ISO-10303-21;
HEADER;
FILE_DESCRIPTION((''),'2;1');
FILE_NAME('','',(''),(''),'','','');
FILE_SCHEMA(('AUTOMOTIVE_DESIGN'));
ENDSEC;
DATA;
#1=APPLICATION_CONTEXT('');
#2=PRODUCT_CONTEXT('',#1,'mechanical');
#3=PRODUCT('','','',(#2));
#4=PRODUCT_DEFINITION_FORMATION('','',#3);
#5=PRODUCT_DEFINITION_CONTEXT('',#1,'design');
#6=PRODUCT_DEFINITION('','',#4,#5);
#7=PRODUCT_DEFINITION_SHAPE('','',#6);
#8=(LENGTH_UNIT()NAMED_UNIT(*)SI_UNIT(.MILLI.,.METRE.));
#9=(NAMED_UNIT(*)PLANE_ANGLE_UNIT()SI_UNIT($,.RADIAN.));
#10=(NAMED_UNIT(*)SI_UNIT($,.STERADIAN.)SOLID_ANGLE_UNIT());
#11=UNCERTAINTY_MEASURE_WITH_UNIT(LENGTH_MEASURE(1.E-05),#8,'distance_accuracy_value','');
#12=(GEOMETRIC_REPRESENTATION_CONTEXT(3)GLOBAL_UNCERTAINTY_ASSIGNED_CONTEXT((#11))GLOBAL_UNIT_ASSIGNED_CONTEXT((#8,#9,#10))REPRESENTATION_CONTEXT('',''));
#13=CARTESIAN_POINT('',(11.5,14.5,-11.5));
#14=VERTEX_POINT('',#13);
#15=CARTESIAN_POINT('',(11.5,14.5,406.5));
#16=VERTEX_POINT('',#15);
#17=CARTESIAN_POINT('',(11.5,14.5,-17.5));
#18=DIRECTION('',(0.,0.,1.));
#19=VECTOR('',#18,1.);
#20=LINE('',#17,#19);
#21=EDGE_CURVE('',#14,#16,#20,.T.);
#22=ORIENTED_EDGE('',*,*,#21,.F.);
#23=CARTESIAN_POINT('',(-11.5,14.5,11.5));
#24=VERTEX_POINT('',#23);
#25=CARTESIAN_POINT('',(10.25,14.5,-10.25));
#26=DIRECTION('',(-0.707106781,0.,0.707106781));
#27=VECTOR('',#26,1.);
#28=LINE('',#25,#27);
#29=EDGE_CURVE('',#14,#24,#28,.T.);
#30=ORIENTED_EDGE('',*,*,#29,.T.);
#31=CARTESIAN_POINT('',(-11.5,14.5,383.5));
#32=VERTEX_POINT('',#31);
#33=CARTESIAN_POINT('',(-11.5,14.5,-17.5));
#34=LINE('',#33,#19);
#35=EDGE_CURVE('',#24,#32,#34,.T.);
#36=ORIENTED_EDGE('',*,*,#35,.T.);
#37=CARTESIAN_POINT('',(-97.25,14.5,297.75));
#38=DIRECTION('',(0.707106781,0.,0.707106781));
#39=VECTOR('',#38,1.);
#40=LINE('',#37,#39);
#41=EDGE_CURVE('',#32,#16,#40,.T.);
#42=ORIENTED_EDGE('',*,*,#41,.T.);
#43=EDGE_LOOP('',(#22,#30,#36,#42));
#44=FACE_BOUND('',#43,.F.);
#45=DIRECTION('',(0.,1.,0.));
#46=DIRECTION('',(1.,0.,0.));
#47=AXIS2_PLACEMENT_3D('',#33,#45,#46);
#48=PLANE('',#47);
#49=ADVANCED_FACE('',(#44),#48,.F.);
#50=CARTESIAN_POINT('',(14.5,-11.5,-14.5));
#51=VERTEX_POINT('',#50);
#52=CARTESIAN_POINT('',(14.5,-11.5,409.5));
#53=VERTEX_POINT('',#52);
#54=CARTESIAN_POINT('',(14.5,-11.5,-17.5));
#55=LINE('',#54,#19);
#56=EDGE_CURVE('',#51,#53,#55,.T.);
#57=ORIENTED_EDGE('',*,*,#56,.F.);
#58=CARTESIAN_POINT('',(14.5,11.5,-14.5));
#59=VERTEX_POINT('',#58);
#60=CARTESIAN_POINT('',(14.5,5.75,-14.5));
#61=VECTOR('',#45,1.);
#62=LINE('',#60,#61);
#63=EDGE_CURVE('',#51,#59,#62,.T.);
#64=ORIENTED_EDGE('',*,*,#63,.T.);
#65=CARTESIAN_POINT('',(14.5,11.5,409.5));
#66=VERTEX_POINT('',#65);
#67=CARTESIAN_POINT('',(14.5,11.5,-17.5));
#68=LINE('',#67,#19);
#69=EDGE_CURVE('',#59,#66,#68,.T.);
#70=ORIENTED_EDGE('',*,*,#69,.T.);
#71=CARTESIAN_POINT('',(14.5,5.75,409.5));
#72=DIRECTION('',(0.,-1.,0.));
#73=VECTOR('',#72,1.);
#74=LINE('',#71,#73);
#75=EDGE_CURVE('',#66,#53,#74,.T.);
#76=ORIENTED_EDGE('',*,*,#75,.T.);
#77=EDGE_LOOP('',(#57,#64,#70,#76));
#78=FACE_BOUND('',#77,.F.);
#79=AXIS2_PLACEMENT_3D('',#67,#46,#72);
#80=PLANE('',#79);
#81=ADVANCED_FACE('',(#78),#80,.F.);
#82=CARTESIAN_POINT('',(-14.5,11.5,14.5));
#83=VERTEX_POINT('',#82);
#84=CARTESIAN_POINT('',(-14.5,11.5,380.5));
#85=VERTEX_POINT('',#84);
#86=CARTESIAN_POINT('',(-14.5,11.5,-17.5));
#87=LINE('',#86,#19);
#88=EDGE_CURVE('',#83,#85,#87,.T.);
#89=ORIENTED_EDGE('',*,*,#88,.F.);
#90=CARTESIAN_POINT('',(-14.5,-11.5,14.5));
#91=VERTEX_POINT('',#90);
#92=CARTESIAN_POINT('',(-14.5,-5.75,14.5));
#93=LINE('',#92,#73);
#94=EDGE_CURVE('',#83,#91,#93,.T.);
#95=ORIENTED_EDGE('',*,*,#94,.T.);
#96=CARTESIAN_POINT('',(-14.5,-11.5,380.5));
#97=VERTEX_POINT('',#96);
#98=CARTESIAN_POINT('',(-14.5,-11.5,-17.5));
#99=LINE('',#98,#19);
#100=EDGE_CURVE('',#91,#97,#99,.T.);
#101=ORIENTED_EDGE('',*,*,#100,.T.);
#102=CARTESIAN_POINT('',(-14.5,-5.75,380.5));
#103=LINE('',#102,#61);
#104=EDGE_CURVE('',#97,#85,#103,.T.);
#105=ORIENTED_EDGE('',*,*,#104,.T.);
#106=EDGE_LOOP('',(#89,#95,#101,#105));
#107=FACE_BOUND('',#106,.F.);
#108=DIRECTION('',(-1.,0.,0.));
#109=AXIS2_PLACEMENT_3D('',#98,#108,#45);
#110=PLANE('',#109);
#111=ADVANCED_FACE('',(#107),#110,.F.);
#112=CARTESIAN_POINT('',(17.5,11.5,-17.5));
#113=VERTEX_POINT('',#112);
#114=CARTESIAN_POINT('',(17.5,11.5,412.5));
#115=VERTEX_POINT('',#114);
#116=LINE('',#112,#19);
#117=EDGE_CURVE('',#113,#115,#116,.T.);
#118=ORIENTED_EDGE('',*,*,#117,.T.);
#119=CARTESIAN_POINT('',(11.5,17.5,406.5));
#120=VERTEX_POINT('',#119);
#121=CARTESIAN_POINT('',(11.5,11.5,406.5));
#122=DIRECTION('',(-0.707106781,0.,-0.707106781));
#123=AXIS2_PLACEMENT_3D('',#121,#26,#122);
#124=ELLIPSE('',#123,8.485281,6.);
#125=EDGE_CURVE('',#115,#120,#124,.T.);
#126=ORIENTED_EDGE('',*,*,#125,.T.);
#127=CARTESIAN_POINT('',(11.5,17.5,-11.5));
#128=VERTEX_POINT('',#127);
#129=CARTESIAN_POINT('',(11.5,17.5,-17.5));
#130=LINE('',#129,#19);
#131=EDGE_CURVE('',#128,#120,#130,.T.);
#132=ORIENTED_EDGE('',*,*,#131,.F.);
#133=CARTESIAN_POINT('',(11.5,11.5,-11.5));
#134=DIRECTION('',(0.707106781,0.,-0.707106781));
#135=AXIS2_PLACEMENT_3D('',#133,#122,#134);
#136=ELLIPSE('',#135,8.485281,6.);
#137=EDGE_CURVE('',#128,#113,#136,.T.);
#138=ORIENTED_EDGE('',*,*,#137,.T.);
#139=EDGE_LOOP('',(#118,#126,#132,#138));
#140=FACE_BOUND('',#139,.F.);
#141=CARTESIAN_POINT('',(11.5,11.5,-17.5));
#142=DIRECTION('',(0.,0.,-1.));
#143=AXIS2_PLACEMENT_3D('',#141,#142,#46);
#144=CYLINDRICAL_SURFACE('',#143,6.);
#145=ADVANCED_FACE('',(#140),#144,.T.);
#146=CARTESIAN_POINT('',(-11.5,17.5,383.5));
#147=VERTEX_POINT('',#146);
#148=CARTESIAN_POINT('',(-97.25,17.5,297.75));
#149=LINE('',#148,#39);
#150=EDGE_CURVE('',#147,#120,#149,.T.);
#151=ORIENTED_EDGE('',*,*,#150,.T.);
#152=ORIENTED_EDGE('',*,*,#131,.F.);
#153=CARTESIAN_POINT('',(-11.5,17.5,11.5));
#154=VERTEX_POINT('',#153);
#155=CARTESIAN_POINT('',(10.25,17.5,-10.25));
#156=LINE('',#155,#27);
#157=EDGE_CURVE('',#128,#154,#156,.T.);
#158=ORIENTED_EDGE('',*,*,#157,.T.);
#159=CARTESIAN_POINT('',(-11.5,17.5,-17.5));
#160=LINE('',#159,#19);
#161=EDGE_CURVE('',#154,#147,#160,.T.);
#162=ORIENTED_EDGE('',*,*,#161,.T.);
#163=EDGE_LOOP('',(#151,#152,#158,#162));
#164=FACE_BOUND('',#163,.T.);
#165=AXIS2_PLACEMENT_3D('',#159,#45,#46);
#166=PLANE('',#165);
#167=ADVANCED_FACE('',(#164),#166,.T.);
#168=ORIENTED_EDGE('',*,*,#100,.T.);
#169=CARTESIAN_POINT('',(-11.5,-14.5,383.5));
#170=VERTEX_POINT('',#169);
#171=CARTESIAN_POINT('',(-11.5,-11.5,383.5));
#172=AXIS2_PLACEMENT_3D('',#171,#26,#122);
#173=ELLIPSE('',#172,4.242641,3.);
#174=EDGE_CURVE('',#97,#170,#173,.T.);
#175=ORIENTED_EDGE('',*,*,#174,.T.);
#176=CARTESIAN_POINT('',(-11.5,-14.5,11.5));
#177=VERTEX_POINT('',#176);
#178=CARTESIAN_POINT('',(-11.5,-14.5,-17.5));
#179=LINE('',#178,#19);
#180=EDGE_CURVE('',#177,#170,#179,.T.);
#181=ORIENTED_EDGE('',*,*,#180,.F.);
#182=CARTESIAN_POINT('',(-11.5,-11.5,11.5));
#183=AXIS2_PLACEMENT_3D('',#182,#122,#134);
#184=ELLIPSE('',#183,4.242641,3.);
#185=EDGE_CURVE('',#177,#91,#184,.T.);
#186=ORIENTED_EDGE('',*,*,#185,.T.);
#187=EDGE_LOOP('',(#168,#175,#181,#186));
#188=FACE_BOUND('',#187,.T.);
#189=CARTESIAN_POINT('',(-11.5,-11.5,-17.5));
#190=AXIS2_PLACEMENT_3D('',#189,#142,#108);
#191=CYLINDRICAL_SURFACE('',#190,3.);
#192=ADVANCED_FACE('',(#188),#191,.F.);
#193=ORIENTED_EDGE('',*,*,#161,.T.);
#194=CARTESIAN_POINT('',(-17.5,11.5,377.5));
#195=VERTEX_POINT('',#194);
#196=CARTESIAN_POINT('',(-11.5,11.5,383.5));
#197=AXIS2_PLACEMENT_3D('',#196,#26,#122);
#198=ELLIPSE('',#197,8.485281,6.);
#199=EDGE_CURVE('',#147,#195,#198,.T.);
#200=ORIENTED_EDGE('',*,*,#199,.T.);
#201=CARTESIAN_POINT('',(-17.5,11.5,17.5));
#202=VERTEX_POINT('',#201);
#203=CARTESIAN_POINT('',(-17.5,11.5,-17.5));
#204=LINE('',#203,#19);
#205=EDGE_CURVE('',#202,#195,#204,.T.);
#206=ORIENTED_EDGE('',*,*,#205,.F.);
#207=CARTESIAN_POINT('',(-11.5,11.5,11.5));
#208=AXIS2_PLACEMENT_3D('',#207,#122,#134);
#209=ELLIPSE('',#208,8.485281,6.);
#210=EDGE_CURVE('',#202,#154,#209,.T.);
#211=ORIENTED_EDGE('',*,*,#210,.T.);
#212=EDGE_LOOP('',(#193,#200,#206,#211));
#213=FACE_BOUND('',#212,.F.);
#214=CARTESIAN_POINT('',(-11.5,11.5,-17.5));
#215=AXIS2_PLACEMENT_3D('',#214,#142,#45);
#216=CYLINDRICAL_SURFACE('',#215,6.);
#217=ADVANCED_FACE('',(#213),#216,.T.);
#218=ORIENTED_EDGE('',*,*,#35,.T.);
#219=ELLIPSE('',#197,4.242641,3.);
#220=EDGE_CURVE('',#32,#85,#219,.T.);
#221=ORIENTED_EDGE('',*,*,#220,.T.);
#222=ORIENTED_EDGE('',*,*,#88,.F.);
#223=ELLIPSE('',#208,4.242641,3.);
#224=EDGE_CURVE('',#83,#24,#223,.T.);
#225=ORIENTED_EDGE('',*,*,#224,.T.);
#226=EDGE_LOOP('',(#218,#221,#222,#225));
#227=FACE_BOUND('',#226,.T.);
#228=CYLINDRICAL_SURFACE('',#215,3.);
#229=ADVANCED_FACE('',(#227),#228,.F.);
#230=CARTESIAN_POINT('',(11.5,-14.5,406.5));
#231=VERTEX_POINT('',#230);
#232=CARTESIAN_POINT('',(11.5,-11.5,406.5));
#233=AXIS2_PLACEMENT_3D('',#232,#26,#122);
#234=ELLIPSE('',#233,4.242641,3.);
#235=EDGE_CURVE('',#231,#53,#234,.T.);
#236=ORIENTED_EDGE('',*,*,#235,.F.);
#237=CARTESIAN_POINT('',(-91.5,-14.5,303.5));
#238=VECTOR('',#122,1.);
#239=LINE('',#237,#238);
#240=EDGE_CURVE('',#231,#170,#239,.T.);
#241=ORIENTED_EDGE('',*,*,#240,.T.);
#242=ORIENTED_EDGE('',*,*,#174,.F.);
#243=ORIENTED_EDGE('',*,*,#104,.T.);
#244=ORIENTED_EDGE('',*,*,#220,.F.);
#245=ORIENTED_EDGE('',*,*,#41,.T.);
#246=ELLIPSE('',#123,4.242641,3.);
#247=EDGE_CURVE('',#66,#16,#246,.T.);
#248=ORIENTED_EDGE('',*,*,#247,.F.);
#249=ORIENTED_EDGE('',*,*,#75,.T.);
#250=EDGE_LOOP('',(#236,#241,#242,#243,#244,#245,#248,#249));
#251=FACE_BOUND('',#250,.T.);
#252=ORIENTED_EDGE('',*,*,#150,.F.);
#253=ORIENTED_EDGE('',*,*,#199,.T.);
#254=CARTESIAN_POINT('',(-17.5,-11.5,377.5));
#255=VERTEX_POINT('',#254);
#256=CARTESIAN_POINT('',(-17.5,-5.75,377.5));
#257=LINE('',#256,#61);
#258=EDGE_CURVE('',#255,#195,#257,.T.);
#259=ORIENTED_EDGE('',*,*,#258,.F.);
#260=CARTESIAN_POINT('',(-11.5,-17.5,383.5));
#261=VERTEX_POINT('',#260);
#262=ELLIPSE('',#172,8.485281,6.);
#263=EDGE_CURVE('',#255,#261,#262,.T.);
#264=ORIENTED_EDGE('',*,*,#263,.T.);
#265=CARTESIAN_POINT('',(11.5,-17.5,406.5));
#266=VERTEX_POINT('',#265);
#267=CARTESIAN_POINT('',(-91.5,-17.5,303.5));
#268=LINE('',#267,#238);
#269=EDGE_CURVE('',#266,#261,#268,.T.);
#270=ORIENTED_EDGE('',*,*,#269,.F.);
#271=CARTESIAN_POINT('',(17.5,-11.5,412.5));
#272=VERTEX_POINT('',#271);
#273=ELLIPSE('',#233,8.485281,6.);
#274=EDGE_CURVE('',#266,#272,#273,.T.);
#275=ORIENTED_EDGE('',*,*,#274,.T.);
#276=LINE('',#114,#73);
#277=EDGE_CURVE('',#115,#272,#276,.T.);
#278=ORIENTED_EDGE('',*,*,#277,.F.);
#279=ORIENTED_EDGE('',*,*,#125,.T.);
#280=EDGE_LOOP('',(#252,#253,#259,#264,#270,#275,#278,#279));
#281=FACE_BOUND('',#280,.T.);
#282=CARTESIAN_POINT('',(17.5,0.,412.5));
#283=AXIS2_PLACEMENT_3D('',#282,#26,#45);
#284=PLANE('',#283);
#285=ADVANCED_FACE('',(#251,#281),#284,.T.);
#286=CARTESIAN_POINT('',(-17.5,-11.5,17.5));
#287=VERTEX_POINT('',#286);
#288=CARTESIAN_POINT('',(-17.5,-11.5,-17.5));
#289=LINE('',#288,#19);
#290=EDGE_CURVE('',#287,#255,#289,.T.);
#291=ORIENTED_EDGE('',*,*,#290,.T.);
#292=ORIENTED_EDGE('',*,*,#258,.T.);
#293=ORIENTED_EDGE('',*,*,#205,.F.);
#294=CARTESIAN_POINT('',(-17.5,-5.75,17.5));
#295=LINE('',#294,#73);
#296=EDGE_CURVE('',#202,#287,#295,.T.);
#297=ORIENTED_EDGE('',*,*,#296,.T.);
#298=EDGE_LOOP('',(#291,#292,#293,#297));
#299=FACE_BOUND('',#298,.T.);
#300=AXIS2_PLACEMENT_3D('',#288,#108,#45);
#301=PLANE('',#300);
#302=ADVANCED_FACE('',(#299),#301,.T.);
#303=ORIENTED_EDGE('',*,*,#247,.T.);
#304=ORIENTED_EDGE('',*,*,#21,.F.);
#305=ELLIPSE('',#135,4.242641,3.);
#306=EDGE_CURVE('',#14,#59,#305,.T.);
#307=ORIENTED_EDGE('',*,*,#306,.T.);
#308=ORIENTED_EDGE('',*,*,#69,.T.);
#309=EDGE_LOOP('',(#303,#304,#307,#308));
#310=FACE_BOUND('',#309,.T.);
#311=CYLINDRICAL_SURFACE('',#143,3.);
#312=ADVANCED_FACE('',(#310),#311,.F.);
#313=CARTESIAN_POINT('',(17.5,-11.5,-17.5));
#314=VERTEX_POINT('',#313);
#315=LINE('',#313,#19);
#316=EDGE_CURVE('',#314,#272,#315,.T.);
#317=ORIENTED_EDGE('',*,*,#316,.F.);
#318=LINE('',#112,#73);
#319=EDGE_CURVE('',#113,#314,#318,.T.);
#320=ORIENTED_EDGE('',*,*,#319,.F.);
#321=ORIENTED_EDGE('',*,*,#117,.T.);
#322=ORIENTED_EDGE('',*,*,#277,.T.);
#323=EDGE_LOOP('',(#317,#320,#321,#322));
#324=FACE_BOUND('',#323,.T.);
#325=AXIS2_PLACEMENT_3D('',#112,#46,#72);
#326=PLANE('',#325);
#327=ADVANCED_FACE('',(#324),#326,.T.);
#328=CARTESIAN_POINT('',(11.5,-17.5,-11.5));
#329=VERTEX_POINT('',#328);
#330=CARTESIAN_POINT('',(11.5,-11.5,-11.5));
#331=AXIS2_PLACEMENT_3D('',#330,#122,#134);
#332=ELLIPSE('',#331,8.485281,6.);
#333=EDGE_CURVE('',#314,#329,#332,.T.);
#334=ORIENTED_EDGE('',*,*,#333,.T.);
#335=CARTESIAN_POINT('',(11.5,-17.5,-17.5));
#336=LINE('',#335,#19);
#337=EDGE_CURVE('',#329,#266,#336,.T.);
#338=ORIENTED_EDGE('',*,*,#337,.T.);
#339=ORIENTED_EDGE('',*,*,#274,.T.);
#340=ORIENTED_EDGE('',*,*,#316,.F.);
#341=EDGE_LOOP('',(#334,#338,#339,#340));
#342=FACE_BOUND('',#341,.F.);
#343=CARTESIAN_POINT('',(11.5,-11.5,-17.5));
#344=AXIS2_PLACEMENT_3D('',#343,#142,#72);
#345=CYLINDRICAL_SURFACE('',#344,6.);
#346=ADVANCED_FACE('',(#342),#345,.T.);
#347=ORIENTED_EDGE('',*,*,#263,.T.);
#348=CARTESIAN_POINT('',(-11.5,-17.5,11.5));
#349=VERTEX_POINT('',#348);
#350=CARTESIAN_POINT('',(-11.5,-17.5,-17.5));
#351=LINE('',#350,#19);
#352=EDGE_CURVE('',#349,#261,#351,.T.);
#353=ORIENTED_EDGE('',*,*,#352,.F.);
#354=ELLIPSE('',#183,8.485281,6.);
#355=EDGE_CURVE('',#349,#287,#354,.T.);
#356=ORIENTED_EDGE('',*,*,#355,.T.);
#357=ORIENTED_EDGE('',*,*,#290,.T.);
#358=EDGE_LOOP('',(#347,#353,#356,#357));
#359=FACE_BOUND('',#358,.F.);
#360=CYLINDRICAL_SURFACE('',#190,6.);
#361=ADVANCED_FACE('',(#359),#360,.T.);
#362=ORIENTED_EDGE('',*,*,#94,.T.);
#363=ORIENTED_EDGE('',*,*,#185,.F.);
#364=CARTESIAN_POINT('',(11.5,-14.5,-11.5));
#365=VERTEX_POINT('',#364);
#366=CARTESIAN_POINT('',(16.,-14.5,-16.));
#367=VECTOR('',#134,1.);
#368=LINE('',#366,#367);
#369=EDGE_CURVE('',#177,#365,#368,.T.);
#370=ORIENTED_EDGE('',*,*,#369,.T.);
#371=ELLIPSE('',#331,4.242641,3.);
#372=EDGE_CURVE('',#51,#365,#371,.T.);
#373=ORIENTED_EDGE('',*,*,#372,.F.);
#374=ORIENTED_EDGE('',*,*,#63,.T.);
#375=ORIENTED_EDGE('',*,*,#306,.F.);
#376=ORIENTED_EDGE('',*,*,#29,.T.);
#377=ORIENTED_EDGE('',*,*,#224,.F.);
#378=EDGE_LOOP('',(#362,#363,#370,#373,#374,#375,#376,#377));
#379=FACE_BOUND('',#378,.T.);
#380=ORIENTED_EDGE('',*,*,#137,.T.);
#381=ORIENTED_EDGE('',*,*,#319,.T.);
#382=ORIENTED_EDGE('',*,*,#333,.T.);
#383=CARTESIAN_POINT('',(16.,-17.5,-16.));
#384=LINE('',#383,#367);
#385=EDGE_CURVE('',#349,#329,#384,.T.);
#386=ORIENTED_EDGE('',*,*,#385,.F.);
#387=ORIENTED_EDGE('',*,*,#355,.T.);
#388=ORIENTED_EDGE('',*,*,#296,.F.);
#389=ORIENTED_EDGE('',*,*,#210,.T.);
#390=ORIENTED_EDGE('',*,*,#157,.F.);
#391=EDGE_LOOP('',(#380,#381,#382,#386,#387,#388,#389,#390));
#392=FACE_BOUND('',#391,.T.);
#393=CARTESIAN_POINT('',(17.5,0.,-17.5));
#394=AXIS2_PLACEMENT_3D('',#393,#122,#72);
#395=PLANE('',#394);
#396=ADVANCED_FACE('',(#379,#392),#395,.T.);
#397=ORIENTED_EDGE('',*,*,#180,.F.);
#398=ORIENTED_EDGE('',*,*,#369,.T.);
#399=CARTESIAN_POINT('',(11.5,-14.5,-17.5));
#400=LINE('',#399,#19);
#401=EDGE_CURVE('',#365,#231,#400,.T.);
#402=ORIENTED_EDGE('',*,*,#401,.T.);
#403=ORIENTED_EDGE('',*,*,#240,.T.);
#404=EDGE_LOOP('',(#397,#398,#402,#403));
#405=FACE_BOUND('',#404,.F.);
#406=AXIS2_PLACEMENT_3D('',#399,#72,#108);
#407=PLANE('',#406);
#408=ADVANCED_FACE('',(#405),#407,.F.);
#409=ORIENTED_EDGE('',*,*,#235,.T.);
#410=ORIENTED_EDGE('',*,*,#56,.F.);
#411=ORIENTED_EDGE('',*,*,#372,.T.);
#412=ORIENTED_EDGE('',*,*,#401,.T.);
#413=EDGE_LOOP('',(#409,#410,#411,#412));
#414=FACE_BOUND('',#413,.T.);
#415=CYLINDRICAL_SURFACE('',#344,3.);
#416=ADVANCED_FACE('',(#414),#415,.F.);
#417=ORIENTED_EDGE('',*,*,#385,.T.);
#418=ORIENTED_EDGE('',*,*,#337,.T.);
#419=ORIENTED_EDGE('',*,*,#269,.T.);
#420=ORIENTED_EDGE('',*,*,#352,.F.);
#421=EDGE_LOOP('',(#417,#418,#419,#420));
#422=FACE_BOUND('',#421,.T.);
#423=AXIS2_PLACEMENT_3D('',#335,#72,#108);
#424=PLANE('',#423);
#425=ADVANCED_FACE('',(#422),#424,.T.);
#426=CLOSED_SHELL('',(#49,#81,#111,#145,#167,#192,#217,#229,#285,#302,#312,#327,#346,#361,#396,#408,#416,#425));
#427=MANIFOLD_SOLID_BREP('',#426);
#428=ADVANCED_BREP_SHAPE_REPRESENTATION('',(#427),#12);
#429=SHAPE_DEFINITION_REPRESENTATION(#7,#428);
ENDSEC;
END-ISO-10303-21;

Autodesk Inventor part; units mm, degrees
ref_plane "Start plane" through (0, 0, -17.5) normal (0, 0, 1) x (1, 0, 0)
ref_plane "End plane" through (0, 0, 412.5) normal (0, 0, 1) x (1, 0, 0)
sketch "Sketch" plane through (0, 0, 0) normal (0, 0, 1) x (1, 0, 0)
  line L0 (-17.5, -11.5) -> (-17.5, 11.5)
  line L1 (-11.5, 17.5) -> (11.5, 17.5)
  line L2 (17.5, 11.5) -> (17.5, -11.5)
  line L3 (11.5, -17.5) -> (-11.5, -17.5)
  arc A0 (-17.5, -11.5) -> (-11.5, -17.5) centre (-11.5, -11.5) ccw
  arc A1 (-11.5, 17.5) -> (-17.5, 11.5) centre (-11.5, 11.5) ccw
  arc A2 (17.5, 11.5) -> (11.5, 17.5) centre (11.5, 11.5) ccw
  arc A3 (11.5, -17.5) -> (17.5, -11.5) centre (11.5, -11.5) ccw
  arc A4 (-11.5, 14.5) -> (-14.5, 11.5) centre (-11.5, 11.5) ccw
  line L4 (-11.5, 14.5) -> (11.5, 14.5)
  arc A5 (14.5, 11.5) -> (11.5, 14.5) centre (11.5, 11.5) ccw
  line L5 (14.5, 11.5) -> (14.5, -11.5)
  arc A6 (11.5, -14.5) -> (14.5, -11.5) centre (11.5, -11.5) ccw
  line L6 (11.5, -14.5) -> (-11.5, -14.5)
  arc A7 (-14.5, -11.5) -> (-11.5, -14.5) centre (-11.5, -11.5) ccw
  line L7 (-14.5, -11.5) -> (-14.5, 11.5)
  line L8 (0, 25.6598) -> (0, -25.6598) construction
  line L9 (-25.6598, 0) -> (25.6598, 0) construction
  dimension "d7" = 6
  dimension "d10" = 35
  dimension "d11" = 35
  dimension "d12" = 3
  dimension "d15" = 17.5
  dimension "d16" = 17.5
extrude "Body" add sketch "Sketch" along normal up to surface (430 mm away) from surface at -17.5
sketch "Sketch3" plane through (0, 0, 0) normal (0, 0, 1) x (1, 0, 0)
  line L0 (0, 0) -> (10, 0)
ref_plane "Work Plane3" through (0, 0, 0) normal (0, -1, 0) x (1, 0, 0)
sketch "Sketch4" plane through (0, 0, 0) normal (0, -1, 0) x (1, 0, 0)
  line L0 (-2, -17.5) -> (12, -17.5)
  line L1 (-2, 412.5) -> (12, 412.5)
  dimension "d18" = 430
ref_plane "Work Plane12" through (0, 180, -17.5) normal (0, 0, -1) x (-1, 0, 0)
split "Split6" plane through (0, 180, -17.5) removes the side toward (0, 0, -1)
ref_plane "Work Plane13" through (17.5, 0, -17.5) normal (-0.7071, 0, -0.7071) x (-0.7071, 0, 0.7071)
split "Split7" plane through (17.5, 0, -17.5) removes the side toward (-0.7071, 0, -0.7071)
ref_plane "Work Plane14" through (17.5, 0, 412.5) normal (-0.7071, 0, 0.7071) x (0.7071, 0, 0.7071)
split "Split8" plane through (17.5, 0, 412.5) removes the side toward (-0.7071, 0, 0.7071)
equation "\"d7\" = G_IR"
equation "\"d10\" = G_H"
equation "\"d11\" = G_W"
equation "\"d12\" = G_T"
equation "\"d15\" = 0.5 * d10"
equation "\"d16\" = 0.5 * d11"
equation "\"d3\" = G_L"
equation "\"G_W\" = 35"
equation "\"G_H\" = 35"
equation "\"G_T\" = 3"
equation "\"G_IR\" = 6"
equation "\"G_L\" = d18"
equation "\"G_OFFSET_START\" = 17.5"
equation "\"G_OFFSET_END\" = 17.5"
equation "\"d13\" = -G_OFFSET_START"
equation "\"d14\" = G_OFFSET_END + B_L"
equation "\"B_L\" = 395"
properties part number "AS 1163 - C350L0 35x35x3.0 SHS - 430" material "Steel, Mild"
